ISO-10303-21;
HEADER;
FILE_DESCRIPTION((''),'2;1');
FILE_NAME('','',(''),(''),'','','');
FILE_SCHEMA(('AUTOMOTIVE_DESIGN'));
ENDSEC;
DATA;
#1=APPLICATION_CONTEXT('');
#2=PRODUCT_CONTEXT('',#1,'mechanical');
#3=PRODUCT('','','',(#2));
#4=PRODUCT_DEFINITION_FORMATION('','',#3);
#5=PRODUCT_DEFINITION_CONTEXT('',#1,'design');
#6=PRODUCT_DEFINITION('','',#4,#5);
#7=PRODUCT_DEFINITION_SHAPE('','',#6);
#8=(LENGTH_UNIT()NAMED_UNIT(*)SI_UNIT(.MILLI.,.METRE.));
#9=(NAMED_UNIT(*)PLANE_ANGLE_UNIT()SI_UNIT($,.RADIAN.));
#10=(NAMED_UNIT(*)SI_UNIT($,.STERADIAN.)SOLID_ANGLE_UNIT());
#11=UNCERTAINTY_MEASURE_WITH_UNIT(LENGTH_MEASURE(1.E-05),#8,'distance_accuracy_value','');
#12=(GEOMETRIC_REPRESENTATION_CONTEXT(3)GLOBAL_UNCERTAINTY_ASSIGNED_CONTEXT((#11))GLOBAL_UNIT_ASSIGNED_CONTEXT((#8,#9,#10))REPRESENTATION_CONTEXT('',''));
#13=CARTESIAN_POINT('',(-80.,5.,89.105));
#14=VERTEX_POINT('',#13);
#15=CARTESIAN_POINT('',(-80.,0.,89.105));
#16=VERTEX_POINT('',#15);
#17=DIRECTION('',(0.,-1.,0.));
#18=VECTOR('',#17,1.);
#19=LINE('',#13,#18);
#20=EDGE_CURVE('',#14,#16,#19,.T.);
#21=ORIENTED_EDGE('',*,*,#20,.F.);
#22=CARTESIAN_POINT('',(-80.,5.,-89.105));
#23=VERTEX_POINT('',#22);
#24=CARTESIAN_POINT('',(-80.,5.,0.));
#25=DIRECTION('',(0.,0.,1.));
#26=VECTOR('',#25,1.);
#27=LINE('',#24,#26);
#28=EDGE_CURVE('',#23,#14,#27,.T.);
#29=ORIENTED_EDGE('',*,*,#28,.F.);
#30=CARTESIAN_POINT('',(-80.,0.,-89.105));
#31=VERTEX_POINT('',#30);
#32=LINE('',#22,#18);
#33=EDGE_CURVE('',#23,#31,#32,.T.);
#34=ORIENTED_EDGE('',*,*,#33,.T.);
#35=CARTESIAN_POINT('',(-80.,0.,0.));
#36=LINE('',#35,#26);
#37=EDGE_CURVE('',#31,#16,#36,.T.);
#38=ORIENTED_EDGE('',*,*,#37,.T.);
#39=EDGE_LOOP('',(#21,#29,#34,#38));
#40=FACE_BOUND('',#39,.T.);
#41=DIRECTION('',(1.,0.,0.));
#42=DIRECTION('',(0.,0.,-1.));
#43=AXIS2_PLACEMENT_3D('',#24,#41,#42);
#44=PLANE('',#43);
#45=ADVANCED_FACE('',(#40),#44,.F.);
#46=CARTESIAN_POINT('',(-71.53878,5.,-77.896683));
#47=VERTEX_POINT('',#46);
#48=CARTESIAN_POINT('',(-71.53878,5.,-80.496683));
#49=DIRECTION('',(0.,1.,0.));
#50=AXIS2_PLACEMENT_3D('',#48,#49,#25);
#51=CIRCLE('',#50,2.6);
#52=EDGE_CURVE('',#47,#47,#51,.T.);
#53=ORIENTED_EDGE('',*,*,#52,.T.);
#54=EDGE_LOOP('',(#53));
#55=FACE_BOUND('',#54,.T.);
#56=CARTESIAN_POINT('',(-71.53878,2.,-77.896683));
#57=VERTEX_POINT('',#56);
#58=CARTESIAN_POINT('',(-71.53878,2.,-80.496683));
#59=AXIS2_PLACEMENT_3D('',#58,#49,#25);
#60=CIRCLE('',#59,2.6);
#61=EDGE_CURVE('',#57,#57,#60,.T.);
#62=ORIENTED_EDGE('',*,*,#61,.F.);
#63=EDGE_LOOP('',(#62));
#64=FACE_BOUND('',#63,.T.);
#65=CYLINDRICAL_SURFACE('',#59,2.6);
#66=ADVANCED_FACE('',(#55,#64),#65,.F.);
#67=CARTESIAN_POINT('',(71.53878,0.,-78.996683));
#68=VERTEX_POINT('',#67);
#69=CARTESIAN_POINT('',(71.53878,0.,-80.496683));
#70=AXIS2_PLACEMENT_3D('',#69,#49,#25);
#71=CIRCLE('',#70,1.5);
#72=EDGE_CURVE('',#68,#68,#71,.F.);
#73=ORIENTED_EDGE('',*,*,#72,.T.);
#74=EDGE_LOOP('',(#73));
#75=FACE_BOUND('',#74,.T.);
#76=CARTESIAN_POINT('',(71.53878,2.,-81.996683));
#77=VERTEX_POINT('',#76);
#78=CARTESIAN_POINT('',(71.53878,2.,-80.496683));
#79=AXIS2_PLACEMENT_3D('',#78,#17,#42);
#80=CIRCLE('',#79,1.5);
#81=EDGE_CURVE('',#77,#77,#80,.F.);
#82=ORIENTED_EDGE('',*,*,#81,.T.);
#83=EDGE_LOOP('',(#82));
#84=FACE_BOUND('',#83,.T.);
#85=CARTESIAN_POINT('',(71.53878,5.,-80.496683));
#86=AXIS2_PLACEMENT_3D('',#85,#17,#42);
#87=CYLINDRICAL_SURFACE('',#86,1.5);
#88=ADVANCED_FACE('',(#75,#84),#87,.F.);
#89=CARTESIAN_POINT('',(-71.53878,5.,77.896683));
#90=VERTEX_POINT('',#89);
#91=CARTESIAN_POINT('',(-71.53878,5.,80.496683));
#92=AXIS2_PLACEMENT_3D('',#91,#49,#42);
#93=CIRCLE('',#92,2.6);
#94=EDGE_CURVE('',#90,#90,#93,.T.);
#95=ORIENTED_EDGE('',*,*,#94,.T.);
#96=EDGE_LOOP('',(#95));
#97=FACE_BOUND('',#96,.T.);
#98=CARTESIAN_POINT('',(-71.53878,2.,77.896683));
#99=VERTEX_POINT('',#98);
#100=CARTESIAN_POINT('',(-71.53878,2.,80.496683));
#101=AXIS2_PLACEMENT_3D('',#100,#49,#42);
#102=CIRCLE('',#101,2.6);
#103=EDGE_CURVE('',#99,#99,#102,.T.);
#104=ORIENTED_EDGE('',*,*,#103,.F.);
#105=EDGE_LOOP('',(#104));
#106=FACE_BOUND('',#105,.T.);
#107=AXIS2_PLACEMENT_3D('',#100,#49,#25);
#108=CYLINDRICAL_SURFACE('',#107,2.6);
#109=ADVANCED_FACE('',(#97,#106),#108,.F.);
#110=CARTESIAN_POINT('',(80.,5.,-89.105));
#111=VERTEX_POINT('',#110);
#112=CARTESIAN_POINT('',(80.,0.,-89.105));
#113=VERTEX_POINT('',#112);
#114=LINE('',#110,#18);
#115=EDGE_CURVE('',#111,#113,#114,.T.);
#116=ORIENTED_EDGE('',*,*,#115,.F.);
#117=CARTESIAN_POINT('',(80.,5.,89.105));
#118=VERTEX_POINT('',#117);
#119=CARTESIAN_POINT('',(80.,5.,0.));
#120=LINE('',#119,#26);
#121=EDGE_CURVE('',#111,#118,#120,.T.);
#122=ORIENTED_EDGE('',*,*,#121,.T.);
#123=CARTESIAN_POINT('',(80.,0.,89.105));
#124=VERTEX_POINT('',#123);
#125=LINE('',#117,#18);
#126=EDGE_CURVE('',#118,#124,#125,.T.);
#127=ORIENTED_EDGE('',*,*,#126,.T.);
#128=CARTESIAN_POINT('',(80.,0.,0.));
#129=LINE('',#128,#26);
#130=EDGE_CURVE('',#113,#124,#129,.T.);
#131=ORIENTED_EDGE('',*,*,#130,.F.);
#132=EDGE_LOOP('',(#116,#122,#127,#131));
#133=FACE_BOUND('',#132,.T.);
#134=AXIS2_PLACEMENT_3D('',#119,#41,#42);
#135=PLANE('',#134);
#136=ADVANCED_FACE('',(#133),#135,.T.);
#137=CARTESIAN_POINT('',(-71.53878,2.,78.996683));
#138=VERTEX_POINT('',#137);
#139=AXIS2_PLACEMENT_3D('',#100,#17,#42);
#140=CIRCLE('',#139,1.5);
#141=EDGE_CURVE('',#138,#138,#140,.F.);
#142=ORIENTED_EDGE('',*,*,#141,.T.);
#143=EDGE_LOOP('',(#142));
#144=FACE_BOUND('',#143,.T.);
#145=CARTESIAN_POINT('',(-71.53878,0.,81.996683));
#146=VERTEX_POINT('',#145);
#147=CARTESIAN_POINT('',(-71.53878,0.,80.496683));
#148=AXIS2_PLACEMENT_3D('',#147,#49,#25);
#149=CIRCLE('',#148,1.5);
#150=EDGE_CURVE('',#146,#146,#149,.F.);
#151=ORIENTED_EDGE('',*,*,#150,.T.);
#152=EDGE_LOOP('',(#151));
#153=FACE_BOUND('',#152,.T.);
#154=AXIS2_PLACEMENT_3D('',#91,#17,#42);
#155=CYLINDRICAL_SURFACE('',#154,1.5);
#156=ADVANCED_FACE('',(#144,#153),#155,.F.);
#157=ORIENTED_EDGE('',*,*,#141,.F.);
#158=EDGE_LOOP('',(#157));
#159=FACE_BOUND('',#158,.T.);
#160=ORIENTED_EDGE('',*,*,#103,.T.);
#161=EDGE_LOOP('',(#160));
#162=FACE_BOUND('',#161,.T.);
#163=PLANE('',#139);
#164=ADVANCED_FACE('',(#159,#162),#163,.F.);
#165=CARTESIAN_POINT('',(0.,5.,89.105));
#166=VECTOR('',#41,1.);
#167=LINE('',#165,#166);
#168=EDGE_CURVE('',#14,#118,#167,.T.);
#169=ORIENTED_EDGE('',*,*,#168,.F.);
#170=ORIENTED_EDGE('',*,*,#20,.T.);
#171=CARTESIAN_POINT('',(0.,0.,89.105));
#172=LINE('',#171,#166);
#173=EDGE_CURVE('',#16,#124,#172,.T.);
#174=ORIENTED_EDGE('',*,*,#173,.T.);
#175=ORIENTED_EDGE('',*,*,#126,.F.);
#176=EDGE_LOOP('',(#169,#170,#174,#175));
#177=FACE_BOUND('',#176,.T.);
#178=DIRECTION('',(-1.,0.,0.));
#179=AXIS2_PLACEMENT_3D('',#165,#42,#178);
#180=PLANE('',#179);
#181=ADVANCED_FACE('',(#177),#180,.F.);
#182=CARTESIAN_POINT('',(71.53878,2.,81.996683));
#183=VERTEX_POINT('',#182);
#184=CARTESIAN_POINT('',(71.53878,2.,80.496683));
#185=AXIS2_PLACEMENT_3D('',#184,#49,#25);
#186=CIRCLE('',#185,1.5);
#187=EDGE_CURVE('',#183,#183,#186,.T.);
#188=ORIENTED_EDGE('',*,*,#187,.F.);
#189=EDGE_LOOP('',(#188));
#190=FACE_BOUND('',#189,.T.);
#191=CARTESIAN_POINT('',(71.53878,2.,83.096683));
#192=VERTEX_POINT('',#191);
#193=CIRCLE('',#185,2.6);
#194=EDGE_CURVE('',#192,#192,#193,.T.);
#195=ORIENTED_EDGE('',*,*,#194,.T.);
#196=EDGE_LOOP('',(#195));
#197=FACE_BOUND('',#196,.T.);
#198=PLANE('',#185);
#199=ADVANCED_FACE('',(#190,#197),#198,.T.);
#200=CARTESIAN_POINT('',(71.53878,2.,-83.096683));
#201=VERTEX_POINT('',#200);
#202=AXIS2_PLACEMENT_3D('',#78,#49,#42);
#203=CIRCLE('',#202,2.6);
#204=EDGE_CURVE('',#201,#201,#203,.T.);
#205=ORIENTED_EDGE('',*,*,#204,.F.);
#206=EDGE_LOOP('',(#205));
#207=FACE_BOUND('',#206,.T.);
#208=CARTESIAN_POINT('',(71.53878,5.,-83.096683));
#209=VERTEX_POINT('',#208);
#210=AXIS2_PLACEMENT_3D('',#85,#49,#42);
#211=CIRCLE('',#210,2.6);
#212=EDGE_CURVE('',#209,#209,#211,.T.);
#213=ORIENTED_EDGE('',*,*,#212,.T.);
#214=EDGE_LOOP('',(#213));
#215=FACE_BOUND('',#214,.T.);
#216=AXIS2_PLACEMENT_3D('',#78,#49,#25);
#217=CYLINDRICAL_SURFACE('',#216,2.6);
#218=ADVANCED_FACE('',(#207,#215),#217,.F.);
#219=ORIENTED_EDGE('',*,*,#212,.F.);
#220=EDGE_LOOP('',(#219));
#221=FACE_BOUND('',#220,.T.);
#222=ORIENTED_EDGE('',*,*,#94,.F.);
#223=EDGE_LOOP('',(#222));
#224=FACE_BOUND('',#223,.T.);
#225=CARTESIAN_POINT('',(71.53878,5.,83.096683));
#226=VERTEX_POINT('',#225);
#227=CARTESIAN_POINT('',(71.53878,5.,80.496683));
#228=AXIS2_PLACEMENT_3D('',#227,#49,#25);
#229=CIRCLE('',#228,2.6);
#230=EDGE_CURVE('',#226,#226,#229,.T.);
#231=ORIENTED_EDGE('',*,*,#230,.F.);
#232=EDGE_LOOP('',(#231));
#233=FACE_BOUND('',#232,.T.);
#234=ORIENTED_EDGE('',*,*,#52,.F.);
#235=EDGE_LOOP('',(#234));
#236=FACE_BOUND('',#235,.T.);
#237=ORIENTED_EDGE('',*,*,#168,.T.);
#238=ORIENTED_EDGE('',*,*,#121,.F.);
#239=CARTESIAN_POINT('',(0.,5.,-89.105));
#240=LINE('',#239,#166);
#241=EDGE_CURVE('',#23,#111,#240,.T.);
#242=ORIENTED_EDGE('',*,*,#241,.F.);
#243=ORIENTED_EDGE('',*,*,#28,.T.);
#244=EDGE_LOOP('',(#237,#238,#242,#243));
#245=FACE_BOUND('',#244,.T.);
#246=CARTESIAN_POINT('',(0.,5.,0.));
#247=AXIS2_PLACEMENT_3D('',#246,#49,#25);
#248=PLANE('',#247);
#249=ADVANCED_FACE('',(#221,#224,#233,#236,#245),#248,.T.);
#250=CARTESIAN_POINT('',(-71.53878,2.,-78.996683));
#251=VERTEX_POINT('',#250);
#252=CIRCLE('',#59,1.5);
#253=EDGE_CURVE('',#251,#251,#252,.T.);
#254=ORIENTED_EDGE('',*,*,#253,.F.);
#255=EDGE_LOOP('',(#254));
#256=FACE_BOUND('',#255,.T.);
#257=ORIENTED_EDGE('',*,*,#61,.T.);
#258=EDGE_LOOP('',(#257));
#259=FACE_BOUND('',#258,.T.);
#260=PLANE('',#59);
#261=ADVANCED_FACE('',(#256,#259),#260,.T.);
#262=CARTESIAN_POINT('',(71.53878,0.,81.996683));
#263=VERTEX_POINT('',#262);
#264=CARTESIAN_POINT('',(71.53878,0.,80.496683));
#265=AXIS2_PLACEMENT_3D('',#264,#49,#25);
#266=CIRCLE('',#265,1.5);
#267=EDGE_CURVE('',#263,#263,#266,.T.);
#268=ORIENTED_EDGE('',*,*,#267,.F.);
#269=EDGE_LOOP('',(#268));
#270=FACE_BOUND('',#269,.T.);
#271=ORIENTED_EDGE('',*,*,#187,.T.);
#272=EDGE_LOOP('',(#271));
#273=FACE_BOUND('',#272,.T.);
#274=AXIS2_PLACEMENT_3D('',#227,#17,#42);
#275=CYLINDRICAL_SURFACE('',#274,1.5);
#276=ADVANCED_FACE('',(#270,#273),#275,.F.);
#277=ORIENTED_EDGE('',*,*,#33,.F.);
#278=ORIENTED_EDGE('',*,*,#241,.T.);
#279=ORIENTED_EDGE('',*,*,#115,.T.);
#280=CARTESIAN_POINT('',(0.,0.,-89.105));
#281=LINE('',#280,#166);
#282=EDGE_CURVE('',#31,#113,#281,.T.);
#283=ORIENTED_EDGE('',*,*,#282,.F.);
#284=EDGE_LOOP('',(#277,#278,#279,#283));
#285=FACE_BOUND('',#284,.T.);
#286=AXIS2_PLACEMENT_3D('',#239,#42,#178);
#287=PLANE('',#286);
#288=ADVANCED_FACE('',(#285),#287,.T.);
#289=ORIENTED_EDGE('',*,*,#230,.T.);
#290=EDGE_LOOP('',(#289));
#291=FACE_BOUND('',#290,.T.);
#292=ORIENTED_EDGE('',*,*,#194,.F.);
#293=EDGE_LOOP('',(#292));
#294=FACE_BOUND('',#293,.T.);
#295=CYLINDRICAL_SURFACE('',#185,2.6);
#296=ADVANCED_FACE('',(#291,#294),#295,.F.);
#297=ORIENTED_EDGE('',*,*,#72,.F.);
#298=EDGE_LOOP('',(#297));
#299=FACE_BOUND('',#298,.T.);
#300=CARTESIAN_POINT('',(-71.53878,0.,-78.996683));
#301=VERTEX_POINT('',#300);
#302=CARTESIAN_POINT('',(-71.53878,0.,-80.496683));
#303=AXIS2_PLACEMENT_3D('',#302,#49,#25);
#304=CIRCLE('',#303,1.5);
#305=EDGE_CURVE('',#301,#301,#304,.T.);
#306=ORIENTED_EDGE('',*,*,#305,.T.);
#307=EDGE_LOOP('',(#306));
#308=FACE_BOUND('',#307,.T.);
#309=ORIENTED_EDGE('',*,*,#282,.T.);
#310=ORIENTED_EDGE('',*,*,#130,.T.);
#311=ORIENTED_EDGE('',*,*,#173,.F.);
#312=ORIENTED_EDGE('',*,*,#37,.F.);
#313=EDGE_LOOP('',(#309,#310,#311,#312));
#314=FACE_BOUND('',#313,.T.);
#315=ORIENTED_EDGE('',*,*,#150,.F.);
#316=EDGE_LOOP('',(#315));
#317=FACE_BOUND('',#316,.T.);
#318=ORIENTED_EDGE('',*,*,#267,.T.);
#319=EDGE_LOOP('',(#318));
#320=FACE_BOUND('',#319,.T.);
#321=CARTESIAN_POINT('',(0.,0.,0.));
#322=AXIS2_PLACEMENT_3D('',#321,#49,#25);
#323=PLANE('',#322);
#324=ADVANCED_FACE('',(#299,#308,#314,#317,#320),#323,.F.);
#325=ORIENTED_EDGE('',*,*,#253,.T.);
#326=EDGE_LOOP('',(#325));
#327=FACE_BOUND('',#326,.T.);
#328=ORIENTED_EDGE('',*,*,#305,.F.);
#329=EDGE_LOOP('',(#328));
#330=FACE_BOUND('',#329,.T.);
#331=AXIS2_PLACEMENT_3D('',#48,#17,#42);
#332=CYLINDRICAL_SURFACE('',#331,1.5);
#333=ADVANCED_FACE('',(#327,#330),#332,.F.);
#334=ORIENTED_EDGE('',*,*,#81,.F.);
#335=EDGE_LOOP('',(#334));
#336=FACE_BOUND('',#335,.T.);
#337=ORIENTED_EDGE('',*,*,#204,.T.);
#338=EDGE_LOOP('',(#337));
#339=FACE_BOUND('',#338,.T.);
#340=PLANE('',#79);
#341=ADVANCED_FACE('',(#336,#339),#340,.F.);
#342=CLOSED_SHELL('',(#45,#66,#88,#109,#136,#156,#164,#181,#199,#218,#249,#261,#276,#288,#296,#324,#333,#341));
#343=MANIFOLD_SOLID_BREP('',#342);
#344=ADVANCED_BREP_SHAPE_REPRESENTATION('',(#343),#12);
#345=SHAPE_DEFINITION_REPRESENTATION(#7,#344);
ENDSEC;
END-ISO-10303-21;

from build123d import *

# Parameters (mm, degrees)
SKETCH1_W           = 160
SKETCH1_H           = 178.21
SKETCH1_R           = 1.5
BOSS_EXTRUDE2_DEPTH = 5
SKETCH2_R           = 2.6
CUT_EXTRUDE1_DEPTH  = 3


with BuildPart() as part:
    # Sketch1 → Boss-Extrude2 (new body)
    with BuildSketch(Plane(origin=(0, 0, 0), x_dir=(1, 0, 0), z_dir=(0, 1, 0))):
        Rectangle(SKETCH1_W, SKETCH1_H)
        with Locations(Location((-71.538779571, 80.496682783, 0), (0, 0, 270))):
            Circle(SKETCH1_R, mode=Mode.SUBTRACT)
        with Locations(Location((71.538779571, 80.496682783, 0), (0, 0, 270))):
            Circle(SKETCH1_R, mode=Mode.SUBTRACT)
        with Locations(Location((71.538779571, -80.496682783, 0), (0, 0, 270))):
            Circle(SKETCH1_R, mode=Mode.SUBTRACT)
        with Locations(Location((-71.538779571, -80.496682783, 0), (0, 0, 270))):
            Circle(SKETCH1_R, mode=Mode.SUBTRACT)
    extrude(amount=BOSS_EXTRUDE2_DEPTH)

    # Sketch2 → Cut-Extrude1 (cut)
    with BuildSketch(Plane(origin=(0, 5, 0), x_dir=(1, 0, 0), z_dir=(0, 1, 0))):
        with Locations(Location((-71.538779571, 80.496682783, 0), (0, 0, 270))):
            Circle(SKETCH2_R)
        with Locations(Location((71.538779571, 80.496682783, 0), (0, 0, 90))):
            Circle(SKETCH2_R)
        with Locations(Location((71.538779571, -80.496682783, 0), (0, 0, 270))):
            Circle(SKETCH2_R)
        with Locations(Location((-71.538779571, -80.496682783, 0), (0, 0, 90))):
            Circle(SKETCH2_R)
    extrude(amount=-CUT_EXTRUDE1_DEPTH, mode=Mode.SUBTRACT)


solid = part.part
